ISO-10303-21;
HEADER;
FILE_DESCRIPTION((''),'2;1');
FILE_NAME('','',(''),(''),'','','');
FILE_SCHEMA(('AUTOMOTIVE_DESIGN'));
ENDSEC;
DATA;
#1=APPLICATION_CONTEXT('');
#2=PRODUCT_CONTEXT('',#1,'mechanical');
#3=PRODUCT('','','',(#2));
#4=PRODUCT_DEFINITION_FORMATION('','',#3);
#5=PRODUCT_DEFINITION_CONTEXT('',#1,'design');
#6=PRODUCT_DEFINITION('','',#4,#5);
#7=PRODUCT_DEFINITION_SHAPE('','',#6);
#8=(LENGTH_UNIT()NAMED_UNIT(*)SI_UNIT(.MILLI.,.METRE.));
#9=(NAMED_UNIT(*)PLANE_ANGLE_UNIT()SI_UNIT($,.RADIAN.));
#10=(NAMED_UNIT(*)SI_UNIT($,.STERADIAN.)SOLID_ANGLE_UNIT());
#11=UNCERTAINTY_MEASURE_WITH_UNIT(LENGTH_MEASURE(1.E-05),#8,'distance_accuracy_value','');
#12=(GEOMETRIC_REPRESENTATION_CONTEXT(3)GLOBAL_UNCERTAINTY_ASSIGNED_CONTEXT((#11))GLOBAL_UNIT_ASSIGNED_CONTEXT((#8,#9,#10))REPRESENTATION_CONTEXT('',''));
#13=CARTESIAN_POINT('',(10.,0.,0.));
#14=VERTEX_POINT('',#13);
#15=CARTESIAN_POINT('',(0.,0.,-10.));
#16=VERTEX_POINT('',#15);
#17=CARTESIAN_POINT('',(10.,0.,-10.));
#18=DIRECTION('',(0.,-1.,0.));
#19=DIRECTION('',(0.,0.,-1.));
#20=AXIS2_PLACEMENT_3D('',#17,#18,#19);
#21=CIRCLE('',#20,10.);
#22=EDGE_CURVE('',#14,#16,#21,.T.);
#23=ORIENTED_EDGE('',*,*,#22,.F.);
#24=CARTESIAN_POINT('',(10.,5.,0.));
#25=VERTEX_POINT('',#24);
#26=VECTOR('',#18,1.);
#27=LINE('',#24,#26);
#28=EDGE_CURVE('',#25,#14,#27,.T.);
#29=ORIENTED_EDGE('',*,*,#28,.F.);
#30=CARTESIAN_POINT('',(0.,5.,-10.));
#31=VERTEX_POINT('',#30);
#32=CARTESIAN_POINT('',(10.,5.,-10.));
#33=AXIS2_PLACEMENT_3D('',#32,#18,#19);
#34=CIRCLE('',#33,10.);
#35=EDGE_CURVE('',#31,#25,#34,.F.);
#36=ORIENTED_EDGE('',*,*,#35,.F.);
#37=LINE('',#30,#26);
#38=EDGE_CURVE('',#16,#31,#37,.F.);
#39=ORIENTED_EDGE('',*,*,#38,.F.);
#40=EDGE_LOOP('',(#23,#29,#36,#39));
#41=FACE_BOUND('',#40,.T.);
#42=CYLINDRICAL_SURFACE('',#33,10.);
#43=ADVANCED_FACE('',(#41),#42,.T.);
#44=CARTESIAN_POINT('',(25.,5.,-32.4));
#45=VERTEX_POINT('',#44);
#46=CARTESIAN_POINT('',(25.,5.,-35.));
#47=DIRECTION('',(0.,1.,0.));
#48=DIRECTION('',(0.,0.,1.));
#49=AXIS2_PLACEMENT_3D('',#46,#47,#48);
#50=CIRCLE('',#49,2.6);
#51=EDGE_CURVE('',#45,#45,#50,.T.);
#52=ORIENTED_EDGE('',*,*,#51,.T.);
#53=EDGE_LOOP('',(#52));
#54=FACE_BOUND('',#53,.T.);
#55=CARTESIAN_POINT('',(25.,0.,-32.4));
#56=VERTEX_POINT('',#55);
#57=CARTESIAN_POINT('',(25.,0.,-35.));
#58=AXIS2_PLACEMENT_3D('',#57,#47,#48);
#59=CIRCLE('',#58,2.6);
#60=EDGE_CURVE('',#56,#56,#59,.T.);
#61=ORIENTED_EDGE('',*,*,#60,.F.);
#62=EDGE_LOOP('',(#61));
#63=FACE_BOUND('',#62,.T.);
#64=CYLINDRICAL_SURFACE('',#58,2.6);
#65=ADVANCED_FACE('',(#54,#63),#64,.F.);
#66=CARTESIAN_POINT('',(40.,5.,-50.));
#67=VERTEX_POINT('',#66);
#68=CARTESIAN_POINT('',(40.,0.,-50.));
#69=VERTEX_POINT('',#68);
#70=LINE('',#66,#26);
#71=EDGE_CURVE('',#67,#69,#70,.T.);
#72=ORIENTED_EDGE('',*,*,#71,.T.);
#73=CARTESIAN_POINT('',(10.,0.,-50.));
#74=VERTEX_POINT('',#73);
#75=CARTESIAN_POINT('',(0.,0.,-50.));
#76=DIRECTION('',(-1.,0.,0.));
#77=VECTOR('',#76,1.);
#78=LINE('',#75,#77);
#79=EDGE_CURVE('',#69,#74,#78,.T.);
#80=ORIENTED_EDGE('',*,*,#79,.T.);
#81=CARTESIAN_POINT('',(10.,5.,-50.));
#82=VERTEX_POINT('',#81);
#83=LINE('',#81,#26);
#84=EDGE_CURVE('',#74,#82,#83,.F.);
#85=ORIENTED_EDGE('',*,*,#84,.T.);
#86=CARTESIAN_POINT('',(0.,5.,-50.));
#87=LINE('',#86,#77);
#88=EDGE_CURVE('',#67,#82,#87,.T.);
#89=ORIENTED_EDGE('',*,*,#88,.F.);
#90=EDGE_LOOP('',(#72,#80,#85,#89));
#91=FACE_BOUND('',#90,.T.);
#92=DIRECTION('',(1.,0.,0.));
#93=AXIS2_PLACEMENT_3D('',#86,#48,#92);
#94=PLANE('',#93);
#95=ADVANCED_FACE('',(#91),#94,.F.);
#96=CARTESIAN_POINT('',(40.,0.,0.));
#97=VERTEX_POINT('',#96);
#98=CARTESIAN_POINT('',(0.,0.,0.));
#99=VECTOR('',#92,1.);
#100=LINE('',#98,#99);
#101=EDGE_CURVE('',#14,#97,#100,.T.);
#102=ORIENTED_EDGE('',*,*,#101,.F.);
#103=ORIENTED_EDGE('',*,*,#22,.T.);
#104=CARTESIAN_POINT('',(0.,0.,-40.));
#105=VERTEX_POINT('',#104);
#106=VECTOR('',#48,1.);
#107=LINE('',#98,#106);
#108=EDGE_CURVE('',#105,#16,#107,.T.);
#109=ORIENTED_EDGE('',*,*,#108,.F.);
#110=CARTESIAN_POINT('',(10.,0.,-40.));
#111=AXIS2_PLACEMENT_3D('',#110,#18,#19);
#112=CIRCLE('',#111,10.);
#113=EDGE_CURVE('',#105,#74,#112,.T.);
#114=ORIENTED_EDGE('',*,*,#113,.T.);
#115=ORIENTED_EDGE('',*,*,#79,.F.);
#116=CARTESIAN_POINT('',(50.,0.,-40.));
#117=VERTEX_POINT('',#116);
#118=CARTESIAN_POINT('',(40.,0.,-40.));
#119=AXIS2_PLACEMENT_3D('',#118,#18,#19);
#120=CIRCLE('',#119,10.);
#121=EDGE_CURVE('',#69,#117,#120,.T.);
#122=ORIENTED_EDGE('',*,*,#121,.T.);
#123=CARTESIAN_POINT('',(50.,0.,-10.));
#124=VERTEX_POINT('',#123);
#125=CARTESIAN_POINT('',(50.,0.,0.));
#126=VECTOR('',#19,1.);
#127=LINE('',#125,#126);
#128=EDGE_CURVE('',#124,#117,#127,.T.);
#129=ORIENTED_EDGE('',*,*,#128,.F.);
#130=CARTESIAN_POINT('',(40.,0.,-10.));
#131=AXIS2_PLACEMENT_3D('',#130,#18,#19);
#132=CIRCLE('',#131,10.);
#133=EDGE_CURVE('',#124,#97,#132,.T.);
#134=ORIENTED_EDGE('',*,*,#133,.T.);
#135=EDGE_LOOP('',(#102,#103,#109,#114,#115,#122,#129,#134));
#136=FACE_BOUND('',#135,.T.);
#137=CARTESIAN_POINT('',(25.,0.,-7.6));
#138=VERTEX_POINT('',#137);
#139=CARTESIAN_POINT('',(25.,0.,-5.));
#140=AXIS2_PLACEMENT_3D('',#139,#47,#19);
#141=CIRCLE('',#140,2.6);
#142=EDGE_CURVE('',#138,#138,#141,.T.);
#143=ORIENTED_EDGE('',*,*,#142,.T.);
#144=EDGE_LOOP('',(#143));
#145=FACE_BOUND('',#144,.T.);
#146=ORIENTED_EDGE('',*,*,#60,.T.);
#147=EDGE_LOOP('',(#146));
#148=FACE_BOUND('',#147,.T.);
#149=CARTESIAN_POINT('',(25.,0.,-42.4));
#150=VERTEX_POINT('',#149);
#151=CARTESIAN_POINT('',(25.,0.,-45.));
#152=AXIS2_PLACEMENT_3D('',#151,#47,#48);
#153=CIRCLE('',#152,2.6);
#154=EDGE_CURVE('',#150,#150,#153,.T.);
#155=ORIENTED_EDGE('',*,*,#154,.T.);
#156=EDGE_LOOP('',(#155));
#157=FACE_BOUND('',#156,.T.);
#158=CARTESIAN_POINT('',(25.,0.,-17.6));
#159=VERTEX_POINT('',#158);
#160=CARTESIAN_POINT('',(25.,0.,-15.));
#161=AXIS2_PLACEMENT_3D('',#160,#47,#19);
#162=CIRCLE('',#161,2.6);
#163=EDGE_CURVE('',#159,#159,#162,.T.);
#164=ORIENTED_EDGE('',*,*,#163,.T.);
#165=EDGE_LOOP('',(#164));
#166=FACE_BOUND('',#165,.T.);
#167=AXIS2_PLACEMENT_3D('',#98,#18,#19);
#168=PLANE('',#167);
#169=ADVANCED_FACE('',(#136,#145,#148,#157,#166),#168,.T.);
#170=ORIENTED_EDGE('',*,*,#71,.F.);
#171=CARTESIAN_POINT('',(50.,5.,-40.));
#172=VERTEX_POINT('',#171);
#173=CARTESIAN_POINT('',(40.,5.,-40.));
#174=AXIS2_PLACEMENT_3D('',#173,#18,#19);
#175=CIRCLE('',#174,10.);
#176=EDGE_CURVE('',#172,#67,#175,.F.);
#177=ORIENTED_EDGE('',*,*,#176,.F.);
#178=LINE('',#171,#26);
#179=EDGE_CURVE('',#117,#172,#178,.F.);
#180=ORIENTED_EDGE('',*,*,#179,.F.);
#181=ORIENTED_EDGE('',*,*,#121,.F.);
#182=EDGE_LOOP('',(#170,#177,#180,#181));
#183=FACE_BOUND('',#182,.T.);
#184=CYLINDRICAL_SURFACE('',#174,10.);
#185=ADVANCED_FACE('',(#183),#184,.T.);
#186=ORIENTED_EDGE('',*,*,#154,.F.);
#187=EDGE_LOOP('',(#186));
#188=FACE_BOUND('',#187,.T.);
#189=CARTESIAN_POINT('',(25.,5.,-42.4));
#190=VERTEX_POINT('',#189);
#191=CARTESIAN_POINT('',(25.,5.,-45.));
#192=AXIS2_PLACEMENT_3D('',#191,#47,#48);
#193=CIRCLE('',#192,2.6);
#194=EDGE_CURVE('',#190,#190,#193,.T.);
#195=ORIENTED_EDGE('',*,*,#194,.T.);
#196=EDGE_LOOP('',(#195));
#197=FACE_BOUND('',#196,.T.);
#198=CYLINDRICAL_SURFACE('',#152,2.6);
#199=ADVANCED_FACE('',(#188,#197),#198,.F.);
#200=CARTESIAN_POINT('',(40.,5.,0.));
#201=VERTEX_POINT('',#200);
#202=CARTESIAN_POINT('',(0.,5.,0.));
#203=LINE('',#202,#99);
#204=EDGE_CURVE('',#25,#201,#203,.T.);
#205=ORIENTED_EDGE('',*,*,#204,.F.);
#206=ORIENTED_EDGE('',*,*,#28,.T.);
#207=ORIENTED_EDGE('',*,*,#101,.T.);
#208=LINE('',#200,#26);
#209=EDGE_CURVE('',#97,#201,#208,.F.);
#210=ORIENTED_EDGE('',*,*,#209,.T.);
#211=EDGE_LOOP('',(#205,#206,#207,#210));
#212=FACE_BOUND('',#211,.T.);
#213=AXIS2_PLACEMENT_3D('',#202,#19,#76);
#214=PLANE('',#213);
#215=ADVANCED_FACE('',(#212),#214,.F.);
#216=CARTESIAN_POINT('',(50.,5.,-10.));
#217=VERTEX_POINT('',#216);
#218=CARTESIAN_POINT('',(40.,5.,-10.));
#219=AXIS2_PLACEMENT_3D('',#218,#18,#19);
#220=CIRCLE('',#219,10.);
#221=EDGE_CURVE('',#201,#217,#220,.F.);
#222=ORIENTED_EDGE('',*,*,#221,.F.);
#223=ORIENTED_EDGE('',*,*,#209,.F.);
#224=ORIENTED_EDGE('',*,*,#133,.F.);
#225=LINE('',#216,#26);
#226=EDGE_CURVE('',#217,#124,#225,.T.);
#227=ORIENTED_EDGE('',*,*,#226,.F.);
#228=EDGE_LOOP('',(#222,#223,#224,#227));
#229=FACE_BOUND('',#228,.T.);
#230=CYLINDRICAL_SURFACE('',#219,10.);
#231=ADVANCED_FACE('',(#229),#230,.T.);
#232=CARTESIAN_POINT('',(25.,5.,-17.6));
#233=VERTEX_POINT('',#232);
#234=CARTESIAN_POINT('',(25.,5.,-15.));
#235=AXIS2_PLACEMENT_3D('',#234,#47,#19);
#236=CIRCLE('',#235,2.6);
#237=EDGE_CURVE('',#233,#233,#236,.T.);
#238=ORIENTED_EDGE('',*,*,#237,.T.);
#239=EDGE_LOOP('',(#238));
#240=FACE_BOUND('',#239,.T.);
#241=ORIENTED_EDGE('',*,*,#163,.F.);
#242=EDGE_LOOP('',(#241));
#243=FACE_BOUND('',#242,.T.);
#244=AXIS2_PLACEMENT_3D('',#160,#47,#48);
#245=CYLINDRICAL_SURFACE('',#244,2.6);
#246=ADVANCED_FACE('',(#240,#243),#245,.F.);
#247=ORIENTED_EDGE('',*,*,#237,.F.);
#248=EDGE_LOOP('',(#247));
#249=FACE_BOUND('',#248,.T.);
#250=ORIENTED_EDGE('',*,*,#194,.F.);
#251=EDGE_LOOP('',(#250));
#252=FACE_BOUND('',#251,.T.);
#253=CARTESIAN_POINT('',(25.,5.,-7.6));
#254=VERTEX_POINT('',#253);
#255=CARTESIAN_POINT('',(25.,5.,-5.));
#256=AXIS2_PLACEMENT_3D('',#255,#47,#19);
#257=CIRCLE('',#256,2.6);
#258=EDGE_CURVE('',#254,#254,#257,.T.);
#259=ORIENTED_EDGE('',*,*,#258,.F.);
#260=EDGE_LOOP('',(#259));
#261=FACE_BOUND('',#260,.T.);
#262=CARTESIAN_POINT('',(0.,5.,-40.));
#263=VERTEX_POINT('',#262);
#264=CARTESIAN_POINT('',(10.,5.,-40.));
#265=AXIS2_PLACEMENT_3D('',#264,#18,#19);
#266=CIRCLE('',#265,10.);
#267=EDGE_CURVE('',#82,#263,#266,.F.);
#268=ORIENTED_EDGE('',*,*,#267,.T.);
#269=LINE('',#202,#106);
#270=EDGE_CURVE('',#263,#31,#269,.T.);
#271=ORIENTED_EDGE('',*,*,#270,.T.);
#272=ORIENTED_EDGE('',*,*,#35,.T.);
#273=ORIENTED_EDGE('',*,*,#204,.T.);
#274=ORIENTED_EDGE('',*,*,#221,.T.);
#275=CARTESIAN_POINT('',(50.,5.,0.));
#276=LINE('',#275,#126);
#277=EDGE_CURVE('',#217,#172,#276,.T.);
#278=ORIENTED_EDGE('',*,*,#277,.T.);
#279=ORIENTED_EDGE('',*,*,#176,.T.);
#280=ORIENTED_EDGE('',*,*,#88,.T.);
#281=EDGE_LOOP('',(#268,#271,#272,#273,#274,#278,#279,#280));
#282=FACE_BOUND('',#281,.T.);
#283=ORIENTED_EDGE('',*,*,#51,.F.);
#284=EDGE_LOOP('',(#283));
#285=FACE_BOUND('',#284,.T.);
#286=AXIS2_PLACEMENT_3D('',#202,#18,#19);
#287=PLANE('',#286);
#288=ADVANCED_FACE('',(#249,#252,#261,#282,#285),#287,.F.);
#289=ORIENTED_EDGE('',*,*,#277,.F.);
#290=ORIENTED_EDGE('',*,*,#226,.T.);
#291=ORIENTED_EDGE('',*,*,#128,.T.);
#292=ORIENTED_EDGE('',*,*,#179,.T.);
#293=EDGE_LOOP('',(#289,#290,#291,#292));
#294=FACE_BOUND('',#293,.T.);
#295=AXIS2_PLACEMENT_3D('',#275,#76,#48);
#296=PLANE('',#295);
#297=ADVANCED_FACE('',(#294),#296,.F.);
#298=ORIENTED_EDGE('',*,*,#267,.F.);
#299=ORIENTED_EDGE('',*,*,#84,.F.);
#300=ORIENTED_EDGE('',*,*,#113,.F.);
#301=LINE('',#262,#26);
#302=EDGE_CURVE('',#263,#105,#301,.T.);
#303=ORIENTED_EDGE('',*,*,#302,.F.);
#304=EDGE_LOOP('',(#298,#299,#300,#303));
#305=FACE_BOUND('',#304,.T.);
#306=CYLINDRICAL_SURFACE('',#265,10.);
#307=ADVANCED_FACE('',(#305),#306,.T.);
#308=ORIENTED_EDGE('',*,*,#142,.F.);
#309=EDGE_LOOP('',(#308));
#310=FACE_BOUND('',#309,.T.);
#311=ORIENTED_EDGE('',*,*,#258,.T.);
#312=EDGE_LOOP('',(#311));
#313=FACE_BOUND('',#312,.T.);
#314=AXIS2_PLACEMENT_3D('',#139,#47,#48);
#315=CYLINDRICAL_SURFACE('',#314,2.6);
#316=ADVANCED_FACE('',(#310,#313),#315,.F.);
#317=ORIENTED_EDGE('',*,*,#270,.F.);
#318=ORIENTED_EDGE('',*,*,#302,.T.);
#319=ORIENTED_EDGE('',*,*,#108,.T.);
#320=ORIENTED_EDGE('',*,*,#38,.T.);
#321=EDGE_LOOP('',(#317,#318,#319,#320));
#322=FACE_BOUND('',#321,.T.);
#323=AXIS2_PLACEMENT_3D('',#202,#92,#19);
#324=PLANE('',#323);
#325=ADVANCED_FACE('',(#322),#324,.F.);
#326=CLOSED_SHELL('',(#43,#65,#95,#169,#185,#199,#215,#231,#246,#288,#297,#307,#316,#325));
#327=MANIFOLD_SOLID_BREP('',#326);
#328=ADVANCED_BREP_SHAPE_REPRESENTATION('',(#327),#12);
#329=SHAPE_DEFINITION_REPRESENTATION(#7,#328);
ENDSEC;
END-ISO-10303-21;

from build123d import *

# Parameters (mm, degrees)
SKETCH1_W           = 50
SKETCH1_H           = 50
BOSS_EXTRUDE1_DEPTH = 5
SKETCH2_R           = 2.6
CUT_EXTRUDE1_DEPTH  = 71.887234394
FILLET1_R           = 10


with BuildPart() as part:
    # Sketch1 → Boss-Extrude1 (new body)
    with BuildSketch(Plane(origin=(0, 0, 0), x_dir=(1, 0, 0), z_dir=(0, 1, 0))):
        with Locations((25, 25)):
            Rectangle(SKETCH1_W, SKETCH1_H)
    extrude(amount=BOSS_EXTRUDE1_DEPTH)

    # Sketch2 → Cut-Extrude1 (cut, through all)
    with BuildSketch(Plane(origin=(0, 5, 0), x_dir=(1, 0, 0), z_dir=(0, 1, 0))):
        with Locations(Location((25, 35, 0), (0, 0, 270))):
            Circle(SKETCH2_R)
        with Locations(Location((25, 45, 0), (0, 0, 270))):
            Circle(SKETCH2_R)
        with Locations(Location((25, 15, 0), (0, 0, 90))):
            Circle(SKETCH2_R)
        with Locations(Location((25, 5, 0), (0, 0, 90))):
            Circle(SKETCH2_R)
    extrude(amount=-CUT_EXTRUDE1_DEPTH, mode=Mode.SUBTRACT)

    # Fillet1
    fillet1_edges = [part.edges().sort_by_distance(p)[0] for p in [
        (0, 2.5, -50),
        (50, 2.5, -50),
        (50, 2.5, 0),
        (0, 2.5, 0),
    ]]
    fillet(fillet1_edges, radius=FILLET1_R)


solid = part.part
